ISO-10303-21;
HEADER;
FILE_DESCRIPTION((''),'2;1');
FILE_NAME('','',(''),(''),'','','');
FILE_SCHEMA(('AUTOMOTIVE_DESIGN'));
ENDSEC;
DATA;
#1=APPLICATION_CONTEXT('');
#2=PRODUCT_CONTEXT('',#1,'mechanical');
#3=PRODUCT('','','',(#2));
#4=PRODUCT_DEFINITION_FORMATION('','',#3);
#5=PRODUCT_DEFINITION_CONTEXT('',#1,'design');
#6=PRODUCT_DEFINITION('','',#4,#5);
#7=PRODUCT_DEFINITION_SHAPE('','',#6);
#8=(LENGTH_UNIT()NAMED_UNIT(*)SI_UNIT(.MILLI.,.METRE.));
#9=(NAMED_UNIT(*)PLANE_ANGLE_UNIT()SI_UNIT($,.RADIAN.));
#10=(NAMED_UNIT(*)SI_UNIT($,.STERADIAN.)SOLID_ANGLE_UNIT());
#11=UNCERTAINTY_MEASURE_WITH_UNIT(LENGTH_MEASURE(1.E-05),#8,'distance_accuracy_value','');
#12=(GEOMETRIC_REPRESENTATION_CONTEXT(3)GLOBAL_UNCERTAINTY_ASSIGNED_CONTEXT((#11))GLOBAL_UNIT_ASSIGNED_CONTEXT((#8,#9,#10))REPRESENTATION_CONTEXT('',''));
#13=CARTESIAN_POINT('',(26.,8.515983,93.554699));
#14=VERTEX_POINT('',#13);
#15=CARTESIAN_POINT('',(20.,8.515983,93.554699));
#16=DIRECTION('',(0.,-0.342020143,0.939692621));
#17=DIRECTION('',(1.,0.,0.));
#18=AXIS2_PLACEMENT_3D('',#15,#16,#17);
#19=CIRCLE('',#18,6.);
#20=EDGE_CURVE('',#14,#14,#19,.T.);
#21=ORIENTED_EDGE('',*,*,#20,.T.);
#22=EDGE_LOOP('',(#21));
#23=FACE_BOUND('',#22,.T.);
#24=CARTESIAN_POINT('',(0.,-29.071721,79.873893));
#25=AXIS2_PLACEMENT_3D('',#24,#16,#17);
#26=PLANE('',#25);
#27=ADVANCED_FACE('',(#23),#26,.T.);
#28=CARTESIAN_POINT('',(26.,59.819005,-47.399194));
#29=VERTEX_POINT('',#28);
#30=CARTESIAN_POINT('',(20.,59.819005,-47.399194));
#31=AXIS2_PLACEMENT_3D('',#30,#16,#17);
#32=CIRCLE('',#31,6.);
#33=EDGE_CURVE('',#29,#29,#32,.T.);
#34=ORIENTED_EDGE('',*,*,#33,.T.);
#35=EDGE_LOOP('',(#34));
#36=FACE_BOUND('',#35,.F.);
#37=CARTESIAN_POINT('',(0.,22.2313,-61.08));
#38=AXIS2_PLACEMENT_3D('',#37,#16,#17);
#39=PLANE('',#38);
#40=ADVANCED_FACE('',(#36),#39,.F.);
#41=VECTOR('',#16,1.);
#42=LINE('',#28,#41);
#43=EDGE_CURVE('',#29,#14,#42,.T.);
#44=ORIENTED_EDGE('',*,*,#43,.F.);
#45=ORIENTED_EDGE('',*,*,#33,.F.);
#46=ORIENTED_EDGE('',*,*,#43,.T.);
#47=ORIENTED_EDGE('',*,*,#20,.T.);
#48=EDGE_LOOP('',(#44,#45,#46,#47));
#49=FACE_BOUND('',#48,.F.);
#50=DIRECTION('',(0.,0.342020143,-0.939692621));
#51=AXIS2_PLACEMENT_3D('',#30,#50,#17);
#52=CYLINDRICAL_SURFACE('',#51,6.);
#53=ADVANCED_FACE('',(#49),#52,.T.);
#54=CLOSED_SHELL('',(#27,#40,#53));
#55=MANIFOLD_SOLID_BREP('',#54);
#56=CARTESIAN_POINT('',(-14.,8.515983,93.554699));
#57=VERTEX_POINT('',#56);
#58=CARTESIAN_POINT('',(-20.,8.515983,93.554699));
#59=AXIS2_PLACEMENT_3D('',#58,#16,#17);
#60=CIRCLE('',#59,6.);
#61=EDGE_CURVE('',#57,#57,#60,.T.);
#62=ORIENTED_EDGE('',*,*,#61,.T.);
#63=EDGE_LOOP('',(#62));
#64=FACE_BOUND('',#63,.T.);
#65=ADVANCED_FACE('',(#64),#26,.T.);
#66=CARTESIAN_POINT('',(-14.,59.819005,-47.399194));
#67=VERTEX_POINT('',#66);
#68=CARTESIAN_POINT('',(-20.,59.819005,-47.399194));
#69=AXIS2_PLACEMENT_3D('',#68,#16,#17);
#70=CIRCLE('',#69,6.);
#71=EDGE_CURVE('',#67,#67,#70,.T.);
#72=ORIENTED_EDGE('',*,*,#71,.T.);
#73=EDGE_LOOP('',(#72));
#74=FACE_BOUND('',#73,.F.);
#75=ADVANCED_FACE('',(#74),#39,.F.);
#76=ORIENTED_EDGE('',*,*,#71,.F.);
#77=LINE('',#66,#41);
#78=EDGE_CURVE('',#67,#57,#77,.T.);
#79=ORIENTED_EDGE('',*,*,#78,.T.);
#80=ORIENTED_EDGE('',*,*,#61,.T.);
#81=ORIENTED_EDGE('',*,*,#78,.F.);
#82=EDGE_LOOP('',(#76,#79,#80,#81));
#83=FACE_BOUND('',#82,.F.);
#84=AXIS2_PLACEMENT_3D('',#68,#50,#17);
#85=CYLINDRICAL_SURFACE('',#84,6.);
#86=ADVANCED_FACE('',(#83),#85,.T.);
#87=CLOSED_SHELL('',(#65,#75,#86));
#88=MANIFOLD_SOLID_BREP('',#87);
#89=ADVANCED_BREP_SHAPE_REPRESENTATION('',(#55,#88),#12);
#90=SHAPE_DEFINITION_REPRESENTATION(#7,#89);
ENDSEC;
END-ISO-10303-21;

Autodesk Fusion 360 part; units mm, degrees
ref_plane "WorkPlane1" through (12.125, 0, 0) normal (0, -0.342, 0.9397) x (1, 0, 0)
ref_plane "WorkPlane2" through (12.125, 22.2313, -61.08) normal (0, -0.342, 0.9397) x (1, 0, 0)
sketch "Sketch1" plane through (0, 22.2313, -61.08) normal (0, -0.342, 0.9397) x (1, 0, 0)
  circle A0 centre (20, 40) radius 6
  circle A1 centre (-20, 40) radius 6
  dimension "d3" = 12
  dimension "d4" = 40
  dimension "d5" = 40
  dimension "d6" = 20
extrude "Extrude1" add sketch "Sketch1" along normal blind 150 makes body 1 at (25.9925, 25.336, 46.4678) makes body 2 at (-14.0075, 25.336, 46.4678)
